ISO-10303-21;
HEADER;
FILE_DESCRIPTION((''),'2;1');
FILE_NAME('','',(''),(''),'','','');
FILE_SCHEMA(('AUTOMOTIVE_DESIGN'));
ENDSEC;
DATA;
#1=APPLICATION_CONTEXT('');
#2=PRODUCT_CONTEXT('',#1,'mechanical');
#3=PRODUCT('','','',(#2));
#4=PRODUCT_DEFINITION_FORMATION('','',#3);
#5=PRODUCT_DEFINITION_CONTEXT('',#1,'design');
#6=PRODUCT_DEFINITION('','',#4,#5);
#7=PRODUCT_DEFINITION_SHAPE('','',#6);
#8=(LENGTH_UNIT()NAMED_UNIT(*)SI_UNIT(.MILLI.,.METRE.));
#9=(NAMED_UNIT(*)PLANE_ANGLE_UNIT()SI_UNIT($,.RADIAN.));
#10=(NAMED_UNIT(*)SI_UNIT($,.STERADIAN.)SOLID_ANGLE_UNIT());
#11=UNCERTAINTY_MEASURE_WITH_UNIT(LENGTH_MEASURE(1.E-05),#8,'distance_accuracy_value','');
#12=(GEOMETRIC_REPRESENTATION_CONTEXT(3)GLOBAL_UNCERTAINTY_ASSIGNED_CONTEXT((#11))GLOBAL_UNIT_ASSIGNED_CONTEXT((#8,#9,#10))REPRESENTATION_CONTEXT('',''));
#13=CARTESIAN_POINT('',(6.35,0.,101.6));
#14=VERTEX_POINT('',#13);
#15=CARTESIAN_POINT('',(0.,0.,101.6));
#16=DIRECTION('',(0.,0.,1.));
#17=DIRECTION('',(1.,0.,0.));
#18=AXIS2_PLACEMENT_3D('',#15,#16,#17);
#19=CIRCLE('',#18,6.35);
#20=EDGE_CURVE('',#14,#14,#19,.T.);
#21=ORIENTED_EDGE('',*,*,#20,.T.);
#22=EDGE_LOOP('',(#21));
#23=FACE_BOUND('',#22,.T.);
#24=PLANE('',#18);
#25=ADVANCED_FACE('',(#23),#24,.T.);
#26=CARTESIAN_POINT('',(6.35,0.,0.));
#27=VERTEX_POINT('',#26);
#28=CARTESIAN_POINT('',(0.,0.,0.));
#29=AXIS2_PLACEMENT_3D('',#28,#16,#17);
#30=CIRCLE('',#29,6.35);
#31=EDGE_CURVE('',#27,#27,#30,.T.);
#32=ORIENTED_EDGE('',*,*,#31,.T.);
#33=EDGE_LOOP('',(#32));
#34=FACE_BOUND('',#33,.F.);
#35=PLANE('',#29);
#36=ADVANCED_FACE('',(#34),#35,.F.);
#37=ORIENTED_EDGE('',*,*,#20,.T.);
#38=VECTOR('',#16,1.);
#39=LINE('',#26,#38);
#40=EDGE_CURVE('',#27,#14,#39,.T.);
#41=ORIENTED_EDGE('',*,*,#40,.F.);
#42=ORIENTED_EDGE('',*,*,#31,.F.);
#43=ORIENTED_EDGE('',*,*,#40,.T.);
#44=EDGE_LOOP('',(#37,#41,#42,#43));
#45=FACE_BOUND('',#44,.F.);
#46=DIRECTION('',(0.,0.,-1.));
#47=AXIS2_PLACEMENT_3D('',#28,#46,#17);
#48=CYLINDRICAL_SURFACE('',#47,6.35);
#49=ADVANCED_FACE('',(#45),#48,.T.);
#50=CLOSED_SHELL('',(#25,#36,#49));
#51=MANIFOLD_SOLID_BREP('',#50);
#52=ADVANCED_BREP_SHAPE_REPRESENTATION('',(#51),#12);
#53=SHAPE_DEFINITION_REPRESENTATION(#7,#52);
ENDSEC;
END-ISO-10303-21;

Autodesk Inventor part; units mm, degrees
ref_plane "YZ Plane" through (0, 0, 0) normal (1, 0, 0) x (0, 1, 0)
ref_plane "XZ Plane" through (0, 0, 0) normal (0, 1, 0) x (-1, 0, 0)
ref_plane "XY Plane" through (0, 0, 0) normal (0, 0, 1) x (1, 0, 0)
sketch "Sketch1" plane through (0, 0, 0) normal (0, 0, 1) x (1, 0, 0)
  circle A0 centre (0, 0) radius 6.35
  dimension "d0" = 12.7
extrude "Extrusion1" add sketch "Sketch1" along normal blind 101.6
thread "Thread1" size "1/2-13 UNC" class "2A" standard "ANSI Unified Screw Threads" length 12.7
thread "Thread2" size "1/2-13 UNC" class "2A" standard "ANSI Unified Screw Threads" length 12.7
properties part number "solar panel brush axle"
